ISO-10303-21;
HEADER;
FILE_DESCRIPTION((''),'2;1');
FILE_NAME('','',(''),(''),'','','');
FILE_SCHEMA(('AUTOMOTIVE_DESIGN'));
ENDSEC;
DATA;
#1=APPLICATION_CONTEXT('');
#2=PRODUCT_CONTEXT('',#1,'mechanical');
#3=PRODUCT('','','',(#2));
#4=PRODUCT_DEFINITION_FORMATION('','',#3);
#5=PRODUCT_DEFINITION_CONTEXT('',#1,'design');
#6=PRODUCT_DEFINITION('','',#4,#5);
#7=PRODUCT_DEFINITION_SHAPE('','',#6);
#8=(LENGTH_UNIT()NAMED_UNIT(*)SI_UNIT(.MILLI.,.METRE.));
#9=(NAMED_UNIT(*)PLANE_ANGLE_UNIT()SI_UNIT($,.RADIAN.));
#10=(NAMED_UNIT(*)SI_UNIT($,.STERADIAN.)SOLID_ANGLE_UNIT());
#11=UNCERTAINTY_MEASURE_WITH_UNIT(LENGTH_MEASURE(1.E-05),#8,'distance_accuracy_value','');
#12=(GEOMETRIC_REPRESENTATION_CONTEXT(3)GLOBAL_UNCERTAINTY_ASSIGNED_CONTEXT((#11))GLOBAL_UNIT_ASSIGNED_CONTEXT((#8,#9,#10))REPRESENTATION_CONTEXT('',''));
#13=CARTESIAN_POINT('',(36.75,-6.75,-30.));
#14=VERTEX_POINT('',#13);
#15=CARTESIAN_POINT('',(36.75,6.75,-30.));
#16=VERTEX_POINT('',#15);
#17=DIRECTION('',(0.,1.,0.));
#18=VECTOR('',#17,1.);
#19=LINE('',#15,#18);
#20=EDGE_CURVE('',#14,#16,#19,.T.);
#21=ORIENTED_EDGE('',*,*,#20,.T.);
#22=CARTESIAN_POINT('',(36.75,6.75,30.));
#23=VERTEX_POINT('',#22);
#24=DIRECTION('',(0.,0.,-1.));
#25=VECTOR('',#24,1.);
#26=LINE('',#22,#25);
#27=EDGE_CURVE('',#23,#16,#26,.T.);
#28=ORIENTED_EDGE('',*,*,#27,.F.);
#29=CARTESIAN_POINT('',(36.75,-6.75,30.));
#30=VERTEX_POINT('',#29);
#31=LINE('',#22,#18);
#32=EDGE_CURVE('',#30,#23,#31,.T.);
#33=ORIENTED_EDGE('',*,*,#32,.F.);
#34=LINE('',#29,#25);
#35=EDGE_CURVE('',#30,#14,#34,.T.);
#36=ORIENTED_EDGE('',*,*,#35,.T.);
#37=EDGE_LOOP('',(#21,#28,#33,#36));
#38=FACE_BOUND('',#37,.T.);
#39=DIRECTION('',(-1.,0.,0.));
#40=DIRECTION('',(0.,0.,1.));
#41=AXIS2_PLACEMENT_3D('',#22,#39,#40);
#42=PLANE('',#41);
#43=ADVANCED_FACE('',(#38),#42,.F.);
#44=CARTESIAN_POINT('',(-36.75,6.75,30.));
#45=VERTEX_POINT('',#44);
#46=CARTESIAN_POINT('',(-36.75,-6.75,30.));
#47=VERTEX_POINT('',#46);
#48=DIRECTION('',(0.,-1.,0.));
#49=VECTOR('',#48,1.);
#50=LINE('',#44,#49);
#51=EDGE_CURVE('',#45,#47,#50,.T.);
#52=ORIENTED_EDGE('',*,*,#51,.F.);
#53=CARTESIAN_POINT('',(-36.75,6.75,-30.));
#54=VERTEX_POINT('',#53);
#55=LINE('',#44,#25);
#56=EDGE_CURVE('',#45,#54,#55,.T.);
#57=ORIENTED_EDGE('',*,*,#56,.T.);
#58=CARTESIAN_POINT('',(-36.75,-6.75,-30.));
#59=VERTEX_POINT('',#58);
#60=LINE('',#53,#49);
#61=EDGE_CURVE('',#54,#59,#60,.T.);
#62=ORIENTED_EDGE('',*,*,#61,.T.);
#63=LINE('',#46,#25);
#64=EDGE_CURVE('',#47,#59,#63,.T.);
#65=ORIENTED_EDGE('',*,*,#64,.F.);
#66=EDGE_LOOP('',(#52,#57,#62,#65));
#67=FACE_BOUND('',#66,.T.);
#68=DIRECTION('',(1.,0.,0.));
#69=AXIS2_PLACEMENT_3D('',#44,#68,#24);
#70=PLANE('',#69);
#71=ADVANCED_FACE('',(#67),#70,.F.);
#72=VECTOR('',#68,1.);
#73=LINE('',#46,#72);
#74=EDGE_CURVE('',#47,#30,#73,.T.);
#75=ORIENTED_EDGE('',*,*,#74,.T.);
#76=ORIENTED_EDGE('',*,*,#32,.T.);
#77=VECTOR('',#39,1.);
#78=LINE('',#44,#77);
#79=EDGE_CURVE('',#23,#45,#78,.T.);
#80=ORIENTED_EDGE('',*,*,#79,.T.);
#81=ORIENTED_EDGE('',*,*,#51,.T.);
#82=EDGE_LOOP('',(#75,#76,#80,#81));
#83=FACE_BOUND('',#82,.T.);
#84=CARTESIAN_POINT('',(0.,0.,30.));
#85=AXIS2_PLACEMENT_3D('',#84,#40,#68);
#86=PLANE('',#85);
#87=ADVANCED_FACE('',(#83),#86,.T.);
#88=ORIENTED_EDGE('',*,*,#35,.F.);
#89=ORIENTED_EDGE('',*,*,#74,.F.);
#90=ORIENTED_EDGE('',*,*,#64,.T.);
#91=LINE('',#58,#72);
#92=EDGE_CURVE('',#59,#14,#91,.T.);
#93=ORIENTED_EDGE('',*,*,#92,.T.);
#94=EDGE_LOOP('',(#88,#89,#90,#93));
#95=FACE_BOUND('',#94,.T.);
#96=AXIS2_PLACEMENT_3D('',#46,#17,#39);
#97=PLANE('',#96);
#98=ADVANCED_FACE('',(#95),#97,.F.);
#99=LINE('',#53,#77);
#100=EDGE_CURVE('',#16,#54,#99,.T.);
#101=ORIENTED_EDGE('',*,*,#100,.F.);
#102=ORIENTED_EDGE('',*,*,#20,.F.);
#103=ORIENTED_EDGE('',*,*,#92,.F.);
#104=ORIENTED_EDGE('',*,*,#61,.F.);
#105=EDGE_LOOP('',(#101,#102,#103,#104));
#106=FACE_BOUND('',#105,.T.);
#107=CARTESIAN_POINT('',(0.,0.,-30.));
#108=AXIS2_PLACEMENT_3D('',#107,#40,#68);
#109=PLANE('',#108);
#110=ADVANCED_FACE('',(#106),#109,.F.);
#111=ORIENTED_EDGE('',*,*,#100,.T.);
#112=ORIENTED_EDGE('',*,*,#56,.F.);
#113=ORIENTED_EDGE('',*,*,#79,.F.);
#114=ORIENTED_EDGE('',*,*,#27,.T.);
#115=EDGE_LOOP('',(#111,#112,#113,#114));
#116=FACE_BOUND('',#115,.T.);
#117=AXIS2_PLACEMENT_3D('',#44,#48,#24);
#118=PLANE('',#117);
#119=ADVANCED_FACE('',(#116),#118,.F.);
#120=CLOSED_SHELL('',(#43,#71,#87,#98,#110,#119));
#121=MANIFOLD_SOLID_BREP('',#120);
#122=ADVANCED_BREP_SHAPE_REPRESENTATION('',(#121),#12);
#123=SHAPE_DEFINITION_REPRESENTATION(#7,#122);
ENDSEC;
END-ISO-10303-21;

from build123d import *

# Parameters (mm, degrees)
SKETCH1_W           = 73.5
SKETCH1_H           = 13.5
BOSS_EXTRUDE1_DEPTH = 30


with BuildPart() as part:
    # Sketch1 → Boss-Extrude1 (new, symmetric)
    with BuildSketch(Plane.XY):
        Rectangle(SKETCH1_W, SKETCH1_H)
    extrude(amount=BOSS_EXTRUDE1_DEPTH, both=True)


solid = part.part
